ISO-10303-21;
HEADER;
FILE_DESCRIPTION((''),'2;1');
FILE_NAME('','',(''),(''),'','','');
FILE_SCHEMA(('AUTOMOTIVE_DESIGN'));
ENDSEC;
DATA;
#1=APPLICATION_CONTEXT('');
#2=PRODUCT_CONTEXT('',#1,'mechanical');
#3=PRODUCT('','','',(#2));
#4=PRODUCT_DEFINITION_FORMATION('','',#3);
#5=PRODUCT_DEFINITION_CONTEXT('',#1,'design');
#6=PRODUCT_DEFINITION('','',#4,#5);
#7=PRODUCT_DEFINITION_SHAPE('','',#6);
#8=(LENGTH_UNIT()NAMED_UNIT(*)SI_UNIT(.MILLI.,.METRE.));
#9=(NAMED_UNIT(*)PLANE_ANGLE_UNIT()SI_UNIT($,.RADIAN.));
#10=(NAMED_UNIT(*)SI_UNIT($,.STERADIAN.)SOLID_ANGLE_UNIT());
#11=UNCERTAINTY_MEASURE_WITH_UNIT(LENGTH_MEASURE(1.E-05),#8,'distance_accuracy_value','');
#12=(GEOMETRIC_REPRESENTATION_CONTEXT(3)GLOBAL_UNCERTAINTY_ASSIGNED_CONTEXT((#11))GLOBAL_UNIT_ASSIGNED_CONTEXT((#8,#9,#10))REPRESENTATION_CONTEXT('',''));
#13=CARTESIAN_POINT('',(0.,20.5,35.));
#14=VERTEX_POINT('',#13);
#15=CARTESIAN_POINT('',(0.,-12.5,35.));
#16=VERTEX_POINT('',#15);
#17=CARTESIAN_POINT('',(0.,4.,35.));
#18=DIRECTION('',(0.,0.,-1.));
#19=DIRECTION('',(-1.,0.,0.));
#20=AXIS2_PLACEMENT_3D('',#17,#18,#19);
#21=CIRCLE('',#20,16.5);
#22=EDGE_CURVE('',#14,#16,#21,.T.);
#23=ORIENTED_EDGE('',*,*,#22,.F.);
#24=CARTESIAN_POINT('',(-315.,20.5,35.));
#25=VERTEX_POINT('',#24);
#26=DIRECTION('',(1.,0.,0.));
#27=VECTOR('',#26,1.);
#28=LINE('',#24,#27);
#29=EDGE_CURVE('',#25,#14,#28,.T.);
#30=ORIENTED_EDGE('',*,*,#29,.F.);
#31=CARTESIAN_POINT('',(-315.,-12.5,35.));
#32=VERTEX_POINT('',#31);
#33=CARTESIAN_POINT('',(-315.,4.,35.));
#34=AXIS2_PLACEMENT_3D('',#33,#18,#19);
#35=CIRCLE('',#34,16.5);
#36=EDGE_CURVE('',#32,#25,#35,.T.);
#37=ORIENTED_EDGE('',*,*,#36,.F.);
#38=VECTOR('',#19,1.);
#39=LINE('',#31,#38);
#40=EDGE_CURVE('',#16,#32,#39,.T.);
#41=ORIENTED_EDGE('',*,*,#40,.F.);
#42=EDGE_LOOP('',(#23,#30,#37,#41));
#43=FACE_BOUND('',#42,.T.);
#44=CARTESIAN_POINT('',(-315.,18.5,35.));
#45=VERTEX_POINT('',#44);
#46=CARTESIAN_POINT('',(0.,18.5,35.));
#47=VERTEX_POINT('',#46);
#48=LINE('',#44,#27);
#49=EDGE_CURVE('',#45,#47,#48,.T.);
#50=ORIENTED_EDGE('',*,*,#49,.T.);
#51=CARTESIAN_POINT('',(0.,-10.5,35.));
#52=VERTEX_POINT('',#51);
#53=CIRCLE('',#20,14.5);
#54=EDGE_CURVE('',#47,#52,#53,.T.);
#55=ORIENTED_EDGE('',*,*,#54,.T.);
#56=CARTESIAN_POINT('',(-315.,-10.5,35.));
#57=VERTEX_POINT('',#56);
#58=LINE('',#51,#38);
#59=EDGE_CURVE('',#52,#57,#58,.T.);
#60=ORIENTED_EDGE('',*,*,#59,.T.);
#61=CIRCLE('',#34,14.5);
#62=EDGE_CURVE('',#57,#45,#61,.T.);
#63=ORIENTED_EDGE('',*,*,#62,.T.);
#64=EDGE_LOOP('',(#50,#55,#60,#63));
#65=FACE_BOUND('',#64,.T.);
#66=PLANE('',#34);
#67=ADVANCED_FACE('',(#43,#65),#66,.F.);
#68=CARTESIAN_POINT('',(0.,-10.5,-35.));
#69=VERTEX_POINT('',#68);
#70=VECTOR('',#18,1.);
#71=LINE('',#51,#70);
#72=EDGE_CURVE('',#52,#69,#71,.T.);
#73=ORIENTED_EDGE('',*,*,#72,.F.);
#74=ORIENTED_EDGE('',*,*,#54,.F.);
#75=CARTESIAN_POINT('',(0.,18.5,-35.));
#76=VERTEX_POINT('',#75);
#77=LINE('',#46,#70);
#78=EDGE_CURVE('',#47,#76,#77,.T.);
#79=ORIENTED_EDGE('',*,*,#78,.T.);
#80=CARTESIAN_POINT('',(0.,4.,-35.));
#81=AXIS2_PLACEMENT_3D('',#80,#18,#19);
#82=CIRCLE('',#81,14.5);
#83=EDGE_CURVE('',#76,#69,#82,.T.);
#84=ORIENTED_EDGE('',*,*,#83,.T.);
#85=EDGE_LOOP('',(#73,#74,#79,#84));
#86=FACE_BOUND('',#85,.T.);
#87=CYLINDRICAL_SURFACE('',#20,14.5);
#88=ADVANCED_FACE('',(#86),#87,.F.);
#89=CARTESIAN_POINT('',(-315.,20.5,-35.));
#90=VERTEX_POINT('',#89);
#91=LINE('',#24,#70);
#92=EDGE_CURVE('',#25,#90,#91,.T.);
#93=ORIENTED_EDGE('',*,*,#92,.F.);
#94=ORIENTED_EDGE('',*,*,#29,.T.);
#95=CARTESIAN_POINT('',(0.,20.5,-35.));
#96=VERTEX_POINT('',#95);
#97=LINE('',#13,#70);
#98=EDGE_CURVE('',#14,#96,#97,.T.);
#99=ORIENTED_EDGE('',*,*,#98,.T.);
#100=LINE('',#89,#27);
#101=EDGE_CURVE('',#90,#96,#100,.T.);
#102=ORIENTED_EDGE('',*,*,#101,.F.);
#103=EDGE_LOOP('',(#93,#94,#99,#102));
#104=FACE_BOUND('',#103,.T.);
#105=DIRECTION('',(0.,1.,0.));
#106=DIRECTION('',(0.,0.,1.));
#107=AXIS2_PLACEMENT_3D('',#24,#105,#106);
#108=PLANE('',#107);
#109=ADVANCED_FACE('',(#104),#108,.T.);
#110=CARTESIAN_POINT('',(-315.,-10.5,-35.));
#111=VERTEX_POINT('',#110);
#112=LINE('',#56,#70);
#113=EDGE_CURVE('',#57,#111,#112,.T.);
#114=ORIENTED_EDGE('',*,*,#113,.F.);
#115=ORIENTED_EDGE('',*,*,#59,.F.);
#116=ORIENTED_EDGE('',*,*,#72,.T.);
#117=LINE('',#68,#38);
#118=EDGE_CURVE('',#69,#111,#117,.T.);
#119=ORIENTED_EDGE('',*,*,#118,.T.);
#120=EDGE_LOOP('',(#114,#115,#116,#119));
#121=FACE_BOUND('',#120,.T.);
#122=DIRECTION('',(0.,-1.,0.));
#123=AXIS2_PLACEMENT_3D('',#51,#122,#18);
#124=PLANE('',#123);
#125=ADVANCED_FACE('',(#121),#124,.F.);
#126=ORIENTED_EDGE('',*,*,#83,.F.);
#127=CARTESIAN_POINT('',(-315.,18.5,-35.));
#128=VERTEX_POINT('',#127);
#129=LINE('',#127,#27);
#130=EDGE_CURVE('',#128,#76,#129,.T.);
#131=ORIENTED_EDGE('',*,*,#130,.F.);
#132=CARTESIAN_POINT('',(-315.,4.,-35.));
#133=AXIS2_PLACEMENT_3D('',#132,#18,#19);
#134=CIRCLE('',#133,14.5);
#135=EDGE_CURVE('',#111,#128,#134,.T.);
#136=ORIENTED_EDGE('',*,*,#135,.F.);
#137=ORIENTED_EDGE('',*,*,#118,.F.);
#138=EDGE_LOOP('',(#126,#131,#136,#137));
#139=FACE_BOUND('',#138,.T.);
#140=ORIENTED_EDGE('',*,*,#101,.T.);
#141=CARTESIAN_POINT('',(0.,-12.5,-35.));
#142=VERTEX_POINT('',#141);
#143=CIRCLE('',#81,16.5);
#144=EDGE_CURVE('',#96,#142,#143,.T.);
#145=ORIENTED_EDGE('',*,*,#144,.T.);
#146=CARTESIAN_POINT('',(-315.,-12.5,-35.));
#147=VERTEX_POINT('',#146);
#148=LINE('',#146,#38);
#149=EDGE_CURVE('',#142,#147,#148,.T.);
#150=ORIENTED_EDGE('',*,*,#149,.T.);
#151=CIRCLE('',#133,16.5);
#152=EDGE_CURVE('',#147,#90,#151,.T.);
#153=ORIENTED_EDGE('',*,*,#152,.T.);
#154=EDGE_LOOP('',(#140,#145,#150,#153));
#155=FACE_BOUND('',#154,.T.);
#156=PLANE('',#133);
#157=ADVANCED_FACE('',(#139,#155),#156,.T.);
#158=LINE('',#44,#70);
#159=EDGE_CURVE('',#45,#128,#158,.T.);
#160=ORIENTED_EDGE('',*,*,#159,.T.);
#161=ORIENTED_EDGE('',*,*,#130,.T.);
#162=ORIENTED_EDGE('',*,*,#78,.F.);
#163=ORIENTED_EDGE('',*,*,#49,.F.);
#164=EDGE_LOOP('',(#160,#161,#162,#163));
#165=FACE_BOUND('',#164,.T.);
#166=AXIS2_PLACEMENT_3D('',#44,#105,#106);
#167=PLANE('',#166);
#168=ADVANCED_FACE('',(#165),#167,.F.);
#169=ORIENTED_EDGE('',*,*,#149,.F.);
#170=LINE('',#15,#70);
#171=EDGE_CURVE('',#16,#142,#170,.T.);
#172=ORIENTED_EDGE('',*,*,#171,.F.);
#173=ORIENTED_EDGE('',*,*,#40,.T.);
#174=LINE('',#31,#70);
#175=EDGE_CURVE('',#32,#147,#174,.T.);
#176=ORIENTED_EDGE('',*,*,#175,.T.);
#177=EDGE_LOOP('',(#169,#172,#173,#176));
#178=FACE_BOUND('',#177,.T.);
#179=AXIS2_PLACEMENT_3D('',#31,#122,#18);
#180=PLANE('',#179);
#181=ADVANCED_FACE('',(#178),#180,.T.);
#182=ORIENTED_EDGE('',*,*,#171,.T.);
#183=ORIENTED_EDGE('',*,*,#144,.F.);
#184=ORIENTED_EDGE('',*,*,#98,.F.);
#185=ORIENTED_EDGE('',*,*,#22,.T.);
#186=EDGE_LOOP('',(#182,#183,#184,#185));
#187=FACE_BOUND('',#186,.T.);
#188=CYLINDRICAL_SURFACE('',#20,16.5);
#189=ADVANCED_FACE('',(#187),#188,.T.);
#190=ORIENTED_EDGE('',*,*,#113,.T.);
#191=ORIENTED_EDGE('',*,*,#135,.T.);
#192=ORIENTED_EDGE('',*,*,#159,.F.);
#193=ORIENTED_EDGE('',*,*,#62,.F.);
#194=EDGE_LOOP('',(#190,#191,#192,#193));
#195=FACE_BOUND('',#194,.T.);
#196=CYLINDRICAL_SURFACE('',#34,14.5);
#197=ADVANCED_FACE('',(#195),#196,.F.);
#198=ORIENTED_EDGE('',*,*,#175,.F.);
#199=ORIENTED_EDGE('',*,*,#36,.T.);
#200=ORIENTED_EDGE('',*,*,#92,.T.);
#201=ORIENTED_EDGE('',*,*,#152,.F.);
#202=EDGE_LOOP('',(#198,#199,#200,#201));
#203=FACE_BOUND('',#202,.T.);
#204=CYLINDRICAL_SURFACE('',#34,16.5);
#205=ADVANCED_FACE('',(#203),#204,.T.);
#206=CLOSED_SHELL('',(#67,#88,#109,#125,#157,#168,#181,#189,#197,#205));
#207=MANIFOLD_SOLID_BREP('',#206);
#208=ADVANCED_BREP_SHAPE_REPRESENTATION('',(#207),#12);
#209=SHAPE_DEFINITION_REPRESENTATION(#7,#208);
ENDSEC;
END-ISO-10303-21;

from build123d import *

# Parameters (mm, degrees)
EXTRUIR_L_MINA1_DEPTH = 35


with BuildPart() as part:
    # Croquis2 → Extruir-Lámina1 (new, symmetric)
    with BuildSketch(Plane.XY):
        with BuildLine():
            Line((0, -12.5), (-315, -12.5))
            ThreePointArc((-315, -12.5), (-331.5, 4), (-315, 20.5))
            Line((-315, 20.5), (0, 20.5))
            ThreePointArc((0, 20.5), (16.5, 4), (0, -12.5))
        make_face()
        with BuildLine():
            Line((0, -10.5), (-315, -10.5))
            ThreePointArc((-315, -10.5), (-329.5, 4), (-315, 18.5))
            Line((-315, 18.5), (0, 18.5))
            ThreePointArc((0, 18.5), (14.5, 4), (0, -10.5))
        make_face(mode=Mode.SUBTRACT)
    extrude(amount=EXTRUIR_L_MINA1_DEPTH, both=True)


solid = part.part
